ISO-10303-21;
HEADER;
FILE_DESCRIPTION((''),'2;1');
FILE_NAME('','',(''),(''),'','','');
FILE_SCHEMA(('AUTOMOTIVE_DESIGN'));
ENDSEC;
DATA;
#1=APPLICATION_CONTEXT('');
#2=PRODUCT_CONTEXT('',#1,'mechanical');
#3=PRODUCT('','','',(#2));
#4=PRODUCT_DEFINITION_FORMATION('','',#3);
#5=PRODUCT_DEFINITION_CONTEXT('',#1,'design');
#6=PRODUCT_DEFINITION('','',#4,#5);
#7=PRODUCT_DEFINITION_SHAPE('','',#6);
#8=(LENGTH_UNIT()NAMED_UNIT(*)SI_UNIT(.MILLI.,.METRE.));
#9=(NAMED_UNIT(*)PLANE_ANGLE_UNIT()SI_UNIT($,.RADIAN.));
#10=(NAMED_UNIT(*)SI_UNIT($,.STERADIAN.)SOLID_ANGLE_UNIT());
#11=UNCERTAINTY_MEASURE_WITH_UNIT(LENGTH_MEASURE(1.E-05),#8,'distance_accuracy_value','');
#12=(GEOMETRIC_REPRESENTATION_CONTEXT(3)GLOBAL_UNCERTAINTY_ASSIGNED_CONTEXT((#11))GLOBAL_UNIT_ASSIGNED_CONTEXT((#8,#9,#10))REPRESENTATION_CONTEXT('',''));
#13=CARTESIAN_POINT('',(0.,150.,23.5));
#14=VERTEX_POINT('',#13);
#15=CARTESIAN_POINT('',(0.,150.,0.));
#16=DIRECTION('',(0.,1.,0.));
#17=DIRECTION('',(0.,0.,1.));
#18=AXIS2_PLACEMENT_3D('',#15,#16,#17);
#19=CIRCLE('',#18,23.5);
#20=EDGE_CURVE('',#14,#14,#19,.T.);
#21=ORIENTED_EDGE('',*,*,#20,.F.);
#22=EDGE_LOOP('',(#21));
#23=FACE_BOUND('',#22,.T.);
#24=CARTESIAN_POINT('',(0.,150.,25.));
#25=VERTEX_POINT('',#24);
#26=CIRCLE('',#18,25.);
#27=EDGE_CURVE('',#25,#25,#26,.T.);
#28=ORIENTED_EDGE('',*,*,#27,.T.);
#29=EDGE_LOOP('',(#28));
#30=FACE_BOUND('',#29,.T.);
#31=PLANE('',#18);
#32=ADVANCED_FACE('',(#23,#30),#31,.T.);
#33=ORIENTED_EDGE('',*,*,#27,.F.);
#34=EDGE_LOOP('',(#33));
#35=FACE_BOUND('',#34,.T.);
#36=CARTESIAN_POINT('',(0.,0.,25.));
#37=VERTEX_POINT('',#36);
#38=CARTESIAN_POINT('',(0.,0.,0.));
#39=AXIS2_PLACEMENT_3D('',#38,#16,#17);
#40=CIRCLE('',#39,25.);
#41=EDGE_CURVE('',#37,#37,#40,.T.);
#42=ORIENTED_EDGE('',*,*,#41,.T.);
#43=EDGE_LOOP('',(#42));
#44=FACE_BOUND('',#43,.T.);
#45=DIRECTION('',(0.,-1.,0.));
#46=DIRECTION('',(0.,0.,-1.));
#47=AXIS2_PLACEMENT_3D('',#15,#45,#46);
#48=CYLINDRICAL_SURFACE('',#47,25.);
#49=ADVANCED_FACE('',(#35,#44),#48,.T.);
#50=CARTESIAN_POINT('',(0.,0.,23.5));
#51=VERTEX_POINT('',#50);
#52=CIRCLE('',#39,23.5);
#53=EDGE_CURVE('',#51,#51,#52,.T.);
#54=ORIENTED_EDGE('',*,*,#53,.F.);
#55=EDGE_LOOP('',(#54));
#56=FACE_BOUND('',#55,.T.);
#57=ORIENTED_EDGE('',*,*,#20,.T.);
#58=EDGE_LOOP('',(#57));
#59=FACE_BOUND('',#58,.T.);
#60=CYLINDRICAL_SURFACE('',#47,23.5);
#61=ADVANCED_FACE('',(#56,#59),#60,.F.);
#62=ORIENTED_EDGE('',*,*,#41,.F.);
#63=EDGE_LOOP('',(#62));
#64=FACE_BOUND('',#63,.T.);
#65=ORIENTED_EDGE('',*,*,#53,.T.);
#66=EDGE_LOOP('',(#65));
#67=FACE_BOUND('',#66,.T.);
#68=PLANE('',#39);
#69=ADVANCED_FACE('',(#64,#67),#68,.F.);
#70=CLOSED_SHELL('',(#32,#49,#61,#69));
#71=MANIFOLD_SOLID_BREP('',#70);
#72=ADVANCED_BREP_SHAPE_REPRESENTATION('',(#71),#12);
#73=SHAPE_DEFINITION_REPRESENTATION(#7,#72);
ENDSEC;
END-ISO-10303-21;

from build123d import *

# Parameters (mm, degrees)
SKETCH_1_R    = 25
SKETCH_1_R_2  = 23.5
F_50PVC_DEPTH = 150


with BuildPart() as part:
    # 草图1 → 50PVC (new body)
    with BuildSketch(Plane(origin=(0, 0, 0), x_dir=(1, 0, 0), z_dir=(0, 1, 0))):
        with Locations(Location((0, 0, 0), (0, 0, 270))):
            Circle(SKETCH_1_R)
        with Locations(Location((0, 0, 0), (0, 0, 270))):
            Circle(SKETCH_1_R_2, mode=Mode.SUBTRACT)
    extrude(amount=F_50PVC_DEPTH)


solid = part.part
